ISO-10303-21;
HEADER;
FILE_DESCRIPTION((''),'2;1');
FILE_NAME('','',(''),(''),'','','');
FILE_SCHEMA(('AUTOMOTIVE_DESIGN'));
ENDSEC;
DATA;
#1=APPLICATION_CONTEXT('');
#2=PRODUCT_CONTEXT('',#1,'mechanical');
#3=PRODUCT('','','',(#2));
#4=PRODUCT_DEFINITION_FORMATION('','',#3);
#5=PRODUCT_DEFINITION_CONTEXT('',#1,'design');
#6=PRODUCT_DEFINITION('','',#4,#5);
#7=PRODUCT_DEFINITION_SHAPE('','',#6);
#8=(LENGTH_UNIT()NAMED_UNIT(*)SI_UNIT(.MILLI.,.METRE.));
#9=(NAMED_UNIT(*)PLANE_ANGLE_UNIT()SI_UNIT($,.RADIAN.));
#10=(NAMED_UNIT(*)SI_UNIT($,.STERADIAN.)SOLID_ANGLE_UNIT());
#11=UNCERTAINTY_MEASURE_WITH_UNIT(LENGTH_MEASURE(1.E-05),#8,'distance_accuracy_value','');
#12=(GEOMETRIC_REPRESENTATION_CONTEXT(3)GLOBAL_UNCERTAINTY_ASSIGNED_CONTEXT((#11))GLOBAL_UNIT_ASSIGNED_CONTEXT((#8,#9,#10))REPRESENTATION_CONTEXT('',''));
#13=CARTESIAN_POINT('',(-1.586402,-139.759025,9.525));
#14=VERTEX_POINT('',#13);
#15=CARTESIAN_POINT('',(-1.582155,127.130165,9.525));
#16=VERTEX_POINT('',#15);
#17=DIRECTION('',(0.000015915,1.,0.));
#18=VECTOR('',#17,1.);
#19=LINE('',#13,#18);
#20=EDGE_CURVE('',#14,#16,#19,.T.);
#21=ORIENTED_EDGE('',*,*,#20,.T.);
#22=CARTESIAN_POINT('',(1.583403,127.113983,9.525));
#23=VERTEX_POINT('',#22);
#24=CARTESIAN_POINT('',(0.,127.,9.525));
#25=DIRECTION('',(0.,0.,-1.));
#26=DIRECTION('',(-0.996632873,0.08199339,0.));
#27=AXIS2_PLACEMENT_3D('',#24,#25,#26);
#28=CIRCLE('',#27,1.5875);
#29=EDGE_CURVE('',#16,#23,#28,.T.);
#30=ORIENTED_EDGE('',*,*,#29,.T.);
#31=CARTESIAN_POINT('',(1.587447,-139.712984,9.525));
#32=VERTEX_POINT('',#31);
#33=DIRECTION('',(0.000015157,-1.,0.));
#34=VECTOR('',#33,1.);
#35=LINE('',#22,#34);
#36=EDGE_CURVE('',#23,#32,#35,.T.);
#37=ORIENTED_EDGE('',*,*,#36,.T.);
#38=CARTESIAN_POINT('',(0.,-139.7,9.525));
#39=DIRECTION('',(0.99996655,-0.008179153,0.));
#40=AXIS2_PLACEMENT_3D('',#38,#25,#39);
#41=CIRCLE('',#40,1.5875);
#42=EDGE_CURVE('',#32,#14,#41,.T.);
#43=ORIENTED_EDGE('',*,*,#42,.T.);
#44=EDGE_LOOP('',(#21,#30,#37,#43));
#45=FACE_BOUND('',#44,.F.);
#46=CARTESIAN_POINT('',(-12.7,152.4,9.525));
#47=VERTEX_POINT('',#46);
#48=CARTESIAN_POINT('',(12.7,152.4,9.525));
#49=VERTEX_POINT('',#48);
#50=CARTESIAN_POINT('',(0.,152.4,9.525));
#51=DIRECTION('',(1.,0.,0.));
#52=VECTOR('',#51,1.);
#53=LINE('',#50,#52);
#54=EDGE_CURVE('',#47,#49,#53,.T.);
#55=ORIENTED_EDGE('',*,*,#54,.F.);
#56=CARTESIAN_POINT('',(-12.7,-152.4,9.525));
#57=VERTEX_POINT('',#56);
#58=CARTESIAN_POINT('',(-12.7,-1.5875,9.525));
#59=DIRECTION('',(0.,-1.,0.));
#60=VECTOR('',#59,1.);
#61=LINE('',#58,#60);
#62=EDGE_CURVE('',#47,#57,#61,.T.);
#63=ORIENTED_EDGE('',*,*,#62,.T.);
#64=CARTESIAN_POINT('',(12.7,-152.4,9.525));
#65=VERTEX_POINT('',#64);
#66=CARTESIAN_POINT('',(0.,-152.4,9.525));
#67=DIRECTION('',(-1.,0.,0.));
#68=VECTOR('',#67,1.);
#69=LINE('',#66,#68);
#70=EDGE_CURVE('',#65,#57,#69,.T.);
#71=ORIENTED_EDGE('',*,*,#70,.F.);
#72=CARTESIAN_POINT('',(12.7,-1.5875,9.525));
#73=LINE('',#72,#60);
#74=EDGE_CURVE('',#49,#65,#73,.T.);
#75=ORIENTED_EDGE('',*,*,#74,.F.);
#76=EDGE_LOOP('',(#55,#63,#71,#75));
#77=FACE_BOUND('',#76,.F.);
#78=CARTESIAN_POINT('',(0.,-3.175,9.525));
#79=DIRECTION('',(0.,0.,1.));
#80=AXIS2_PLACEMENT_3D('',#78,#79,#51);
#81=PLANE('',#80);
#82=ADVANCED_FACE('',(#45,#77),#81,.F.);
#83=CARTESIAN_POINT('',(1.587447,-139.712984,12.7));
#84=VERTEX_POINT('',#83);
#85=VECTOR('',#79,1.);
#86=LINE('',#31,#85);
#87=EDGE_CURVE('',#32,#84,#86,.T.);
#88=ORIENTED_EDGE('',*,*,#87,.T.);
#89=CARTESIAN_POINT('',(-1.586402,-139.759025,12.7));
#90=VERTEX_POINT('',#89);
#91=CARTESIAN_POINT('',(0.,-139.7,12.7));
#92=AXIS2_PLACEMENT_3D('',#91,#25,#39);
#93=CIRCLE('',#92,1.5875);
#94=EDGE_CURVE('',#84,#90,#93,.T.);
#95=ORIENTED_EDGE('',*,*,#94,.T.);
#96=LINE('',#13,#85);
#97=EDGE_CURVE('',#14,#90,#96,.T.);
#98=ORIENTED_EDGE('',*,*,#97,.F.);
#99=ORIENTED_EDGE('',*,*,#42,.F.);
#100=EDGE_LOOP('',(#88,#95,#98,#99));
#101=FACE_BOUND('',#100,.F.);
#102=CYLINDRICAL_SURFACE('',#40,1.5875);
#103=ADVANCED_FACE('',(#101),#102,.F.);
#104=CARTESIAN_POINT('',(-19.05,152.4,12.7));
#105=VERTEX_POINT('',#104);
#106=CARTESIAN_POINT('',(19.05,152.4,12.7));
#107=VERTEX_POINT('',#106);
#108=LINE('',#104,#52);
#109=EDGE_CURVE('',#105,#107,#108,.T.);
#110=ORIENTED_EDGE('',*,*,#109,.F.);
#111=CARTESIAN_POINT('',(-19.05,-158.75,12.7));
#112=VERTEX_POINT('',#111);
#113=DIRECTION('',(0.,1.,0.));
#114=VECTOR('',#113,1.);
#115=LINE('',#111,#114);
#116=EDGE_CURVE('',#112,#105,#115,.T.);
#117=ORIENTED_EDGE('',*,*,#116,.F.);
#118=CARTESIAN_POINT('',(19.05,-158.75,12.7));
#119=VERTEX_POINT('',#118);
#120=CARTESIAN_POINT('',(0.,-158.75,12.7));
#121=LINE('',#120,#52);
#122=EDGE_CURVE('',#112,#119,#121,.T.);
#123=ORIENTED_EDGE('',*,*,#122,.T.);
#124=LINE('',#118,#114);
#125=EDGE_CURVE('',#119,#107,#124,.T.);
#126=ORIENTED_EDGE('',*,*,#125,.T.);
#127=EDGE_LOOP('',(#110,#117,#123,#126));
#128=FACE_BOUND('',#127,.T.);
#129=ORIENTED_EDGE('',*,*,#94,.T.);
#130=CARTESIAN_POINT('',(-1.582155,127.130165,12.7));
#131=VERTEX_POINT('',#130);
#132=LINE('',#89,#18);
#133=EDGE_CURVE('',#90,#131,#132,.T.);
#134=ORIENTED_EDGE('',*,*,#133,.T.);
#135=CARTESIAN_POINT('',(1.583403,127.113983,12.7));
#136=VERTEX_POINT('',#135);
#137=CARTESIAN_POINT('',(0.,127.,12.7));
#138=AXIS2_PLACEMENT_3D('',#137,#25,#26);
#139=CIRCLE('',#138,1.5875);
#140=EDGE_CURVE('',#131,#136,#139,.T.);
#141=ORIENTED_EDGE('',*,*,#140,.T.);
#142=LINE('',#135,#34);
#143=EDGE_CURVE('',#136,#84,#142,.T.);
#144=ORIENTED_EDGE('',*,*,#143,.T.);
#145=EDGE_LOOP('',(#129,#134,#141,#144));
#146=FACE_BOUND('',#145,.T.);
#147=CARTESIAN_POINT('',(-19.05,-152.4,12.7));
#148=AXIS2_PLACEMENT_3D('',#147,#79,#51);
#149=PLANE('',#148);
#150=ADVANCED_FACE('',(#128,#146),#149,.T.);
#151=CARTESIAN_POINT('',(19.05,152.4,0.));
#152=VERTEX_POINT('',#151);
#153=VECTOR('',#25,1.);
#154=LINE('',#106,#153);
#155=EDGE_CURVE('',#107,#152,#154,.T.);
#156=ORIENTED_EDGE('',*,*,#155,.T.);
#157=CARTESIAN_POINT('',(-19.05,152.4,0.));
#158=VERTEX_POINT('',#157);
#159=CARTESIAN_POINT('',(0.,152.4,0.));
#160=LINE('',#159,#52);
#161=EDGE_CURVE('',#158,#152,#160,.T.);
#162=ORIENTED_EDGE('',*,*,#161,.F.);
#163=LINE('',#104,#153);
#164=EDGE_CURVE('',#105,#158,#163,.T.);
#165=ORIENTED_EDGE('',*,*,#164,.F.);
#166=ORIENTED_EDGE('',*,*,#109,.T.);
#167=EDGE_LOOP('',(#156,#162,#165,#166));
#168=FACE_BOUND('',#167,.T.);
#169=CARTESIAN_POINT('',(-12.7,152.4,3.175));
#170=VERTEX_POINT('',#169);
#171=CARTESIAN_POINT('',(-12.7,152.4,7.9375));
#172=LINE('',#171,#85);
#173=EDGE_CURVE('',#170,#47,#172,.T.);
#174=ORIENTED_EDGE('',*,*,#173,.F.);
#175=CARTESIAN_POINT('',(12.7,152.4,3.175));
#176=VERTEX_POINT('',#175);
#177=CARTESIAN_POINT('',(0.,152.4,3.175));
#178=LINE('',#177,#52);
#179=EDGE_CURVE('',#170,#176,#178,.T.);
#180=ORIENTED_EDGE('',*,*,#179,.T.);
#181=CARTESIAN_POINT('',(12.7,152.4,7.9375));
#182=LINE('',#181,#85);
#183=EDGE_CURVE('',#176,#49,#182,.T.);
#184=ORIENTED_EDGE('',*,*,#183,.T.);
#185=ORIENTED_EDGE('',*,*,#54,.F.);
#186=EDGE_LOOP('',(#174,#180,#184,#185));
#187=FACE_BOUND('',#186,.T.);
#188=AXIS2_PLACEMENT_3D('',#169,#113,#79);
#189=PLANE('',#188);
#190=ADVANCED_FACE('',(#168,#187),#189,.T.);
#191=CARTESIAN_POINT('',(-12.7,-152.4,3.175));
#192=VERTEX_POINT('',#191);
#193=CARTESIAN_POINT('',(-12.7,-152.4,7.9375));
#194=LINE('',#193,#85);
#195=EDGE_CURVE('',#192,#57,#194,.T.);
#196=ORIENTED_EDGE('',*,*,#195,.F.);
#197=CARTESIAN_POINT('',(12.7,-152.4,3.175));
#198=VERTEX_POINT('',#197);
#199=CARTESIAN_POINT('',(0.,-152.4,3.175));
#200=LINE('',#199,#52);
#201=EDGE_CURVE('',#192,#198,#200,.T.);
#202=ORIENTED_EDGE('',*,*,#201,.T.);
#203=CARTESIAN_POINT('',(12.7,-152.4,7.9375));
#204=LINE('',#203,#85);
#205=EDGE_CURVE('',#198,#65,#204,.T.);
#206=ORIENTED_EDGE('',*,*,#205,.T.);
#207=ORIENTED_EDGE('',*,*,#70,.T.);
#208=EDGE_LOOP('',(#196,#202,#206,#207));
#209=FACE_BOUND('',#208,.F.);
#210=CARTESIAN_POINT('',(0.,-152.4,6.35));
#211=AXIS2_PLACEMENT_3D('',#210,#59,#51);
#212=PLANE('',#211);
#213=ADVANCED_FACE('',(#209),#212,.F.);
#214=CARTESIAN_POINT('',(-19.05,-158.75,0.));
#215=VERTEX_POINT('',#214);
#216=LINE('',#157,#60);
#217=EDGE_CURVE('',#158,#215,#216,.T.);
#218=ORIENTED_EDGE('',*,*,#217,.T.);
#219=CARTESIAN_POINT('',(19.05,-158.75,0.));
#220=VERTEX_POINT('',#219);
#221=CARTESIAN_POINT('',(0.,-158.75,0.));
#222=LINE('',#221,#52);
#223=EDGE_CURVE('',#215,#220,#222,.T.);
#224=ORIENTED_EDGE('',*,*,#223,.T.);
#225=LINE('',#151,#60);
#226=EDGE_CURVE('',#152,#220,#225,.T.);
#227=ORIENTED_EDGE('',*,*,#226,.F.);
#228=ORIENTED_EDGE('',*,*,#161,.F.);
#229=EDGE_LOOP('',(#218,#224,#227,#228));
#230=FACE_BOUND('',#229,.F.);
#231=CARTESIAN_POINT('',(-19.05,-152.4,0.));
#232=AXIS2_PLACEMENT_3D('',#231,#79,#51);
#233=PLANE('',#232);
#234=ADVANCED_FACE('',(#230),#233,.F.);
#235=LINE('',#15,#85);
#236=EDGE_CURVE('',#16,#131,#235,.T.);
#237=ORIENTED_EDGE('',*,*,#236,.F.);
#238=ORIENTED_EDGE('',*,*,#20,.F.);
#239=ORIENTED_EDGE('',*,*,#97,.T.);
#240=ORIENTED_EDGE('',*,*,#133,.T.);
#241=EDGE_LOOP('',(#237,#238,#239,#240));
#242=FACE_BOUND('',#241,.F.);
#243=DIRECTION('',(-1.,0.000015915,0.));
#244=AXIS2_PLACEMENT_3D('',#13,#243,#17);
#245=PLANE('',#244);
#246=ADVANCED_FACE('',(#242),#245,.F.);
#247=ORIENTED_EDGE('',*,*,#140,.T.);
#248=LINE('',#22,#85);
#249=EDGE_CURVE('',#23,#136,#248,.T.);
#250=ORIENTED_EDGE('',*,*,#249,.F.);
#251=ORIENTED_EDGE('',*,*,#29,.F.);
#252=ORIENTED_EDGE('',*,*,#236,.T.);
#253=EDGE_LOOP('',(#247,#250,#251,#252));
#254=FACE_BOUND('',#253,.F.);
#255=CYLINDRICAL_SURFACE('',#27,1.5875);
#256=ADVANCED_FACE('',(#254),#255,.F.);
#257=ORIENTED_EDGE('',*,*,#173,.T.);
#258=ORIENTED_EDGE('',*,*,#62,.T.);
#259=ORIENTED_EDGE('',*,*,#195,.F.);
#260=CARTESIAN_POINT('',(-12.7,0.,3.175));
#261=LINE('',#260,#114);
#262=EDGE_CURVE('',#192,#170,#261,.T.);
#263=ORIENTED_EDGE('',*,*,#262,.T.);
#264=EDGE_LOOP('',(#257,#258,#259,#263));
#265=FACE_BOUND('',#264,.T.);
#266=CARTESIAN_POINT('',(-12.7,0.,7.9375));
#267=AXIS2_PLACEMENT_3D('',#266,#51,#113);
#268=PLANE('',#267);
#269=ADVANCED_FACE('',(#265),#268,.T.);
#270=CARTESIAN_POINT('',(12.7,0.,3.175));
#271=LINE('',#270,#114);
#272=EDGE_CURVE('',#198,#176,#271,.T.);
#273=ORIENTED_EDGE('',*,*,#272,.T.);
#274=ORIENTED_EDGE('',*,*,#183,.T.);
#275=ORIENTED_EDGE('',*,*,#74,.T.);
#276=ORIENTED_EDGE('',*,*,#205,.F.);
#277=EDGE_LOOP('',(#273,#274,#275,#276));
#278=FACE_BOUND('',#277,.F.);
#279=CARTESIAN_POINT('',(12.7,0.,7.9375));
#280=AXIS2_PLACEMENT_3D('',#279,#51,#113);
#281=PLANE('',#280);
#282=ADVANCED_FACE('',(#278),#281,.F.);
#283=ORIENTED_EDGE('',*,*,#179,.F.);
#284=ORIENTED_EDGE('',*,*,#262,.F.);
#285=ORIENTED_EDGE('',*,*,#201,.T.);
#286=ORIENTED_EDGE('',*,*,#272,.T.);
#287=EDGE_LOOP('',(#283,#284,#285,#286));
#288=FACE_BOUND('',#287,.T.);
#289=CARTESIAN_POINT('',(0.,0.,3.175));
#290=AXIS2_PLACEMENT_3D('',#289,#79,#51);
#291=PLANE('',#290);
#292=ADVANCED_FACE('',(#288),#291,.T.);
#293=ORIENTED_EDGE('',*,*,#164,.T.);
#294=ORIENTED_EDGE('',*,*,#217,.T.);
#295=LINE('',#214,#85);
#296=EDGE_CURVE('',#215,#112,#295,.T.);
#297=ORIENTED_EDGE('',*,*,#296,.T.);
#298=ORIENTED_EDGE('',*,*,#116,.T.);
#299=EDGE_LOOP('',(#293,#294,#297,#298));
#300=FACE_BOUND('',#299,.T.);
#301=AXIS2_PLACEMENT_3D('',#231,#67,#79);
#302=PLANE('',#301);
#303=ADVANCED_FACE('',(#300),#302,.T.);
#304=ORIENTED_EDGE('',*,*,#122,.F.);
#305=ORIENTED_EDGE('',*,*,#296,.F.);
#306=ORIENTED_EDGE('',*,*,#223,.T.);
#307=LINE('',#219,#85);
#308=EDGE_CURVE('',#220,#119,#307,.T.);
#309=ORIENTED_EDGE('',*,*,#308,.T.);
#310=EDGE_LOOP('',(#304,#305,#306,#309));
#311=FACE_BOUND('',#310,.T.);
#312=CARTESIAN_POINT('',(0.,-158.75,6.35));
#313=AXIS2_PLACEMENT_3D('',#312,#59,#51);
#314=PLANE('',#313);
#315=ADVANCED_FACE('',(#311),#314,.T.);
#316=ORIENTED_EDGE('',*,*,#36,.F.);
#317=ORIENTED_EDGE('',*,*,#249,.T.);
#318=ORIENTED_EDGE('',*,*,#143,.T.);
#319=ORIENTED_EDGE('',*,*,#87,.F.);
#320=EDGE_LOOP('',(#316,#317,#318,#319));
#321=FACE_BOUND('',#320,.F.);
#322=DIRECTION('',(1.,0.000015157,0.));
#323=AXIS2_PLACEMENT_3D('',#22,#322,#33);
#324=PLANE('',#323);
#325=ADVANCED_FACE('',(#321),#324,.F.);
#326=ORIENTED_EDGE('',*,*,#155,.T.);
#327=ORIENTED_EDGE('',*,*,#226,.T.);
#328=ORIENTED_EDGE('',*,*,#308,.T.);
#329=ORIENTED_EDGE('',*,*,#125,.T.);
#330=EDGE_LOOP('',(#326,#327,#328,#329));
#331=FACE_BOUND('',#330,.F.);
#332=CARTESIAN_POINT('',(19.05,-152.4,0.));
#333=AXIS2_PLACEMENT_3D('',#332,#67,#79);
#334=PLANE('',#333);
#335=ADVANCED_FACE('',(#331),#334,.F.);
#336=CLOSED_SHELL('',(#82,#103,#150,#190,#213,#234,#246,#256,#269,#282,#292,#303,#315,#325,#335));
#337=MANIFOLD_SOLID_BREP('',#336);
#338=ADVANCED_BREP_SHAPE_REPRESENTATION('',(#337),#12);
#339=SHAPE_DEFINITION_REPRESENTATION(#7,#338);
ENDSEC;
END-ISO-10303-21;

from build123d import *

# Parameters (mm, degrees)
F0_W     = 38.1
F0_H     = 304.8
F1_DEPTH = 3.175
F3_START = 12.7
F2_W     = 304.8
F2_H     = 9.525
F3_DEPTH = 6.35
F4_START = -12.7
F4_DEPTH = 6.35
F6_START = 152.4
F5_W     = 38.1
F5_H     = 12.7
F6_DEPTH = 6.35
F8_START = 9.525
F7_W     = 38.1
F7_H     = 311.15
F8_DEPTH = 3.175


with BuildPart() as f1:
    # F0 (on Top) → F1 (new body)
    with BuildSketch(Plane.XY):
        Rectangle(F0_W, F0_H)
    extrude(amount=F1_DEPTH)

    # F2 (on Right) → F3 (join)
    with BuildSketch(Plane.YZ.offset(F3_START)):
        with Locations((0, 7.9375)):
            Rectangle(F2_W, F2_H)
    extrude(amount=F3_DEPTH)

    # F2 (on Right) → F4 (join)
    with BuildSketch(Plane.YZ.offset(F4_START)):
        with Locations((0, 7.9375)):
            Rectangle(F2_W, F2_H)
    extrude(amount=-F4_DEPTH)

    # F5 (on Front) → F6 (join)
    with BuildSketch(Plane.XZ.offset(F6_START)):
        with Locations((0, 6.35)):
            Rectangle(F5_W, F5_H)
    extrude(amount=F6_DEPTH)

    # F7 (on Top) → F8 (join)
    with BuildSketch(Plane.XY.offset(F8_START)):
        with Locations((0, -3.175)):
            Rectangle(F7_W, F7_H)
        with BuildLine():
            Line((1.5834027278, 127.1139826809), (1.5874468984, -139.7129844058))
            ThreePointArc((1.5874468984, -139.7129844058), (0.0230261009, -141.2873329987), (-1.5864023222, -139.7590247593))
            Line((-1.5864023222, -139.7590247593), (-1.5821546863, 127.1301645063))
            ThreePointArc((-1.5821546863, 127.1301645063), (0.0081149412, 128.587479259), (1.5834027278, 127.1139826809))
        make_face(mode=Mode.SUBTRACT)
    extrude(amount=F8_DEPTH)


solid = f1.part
